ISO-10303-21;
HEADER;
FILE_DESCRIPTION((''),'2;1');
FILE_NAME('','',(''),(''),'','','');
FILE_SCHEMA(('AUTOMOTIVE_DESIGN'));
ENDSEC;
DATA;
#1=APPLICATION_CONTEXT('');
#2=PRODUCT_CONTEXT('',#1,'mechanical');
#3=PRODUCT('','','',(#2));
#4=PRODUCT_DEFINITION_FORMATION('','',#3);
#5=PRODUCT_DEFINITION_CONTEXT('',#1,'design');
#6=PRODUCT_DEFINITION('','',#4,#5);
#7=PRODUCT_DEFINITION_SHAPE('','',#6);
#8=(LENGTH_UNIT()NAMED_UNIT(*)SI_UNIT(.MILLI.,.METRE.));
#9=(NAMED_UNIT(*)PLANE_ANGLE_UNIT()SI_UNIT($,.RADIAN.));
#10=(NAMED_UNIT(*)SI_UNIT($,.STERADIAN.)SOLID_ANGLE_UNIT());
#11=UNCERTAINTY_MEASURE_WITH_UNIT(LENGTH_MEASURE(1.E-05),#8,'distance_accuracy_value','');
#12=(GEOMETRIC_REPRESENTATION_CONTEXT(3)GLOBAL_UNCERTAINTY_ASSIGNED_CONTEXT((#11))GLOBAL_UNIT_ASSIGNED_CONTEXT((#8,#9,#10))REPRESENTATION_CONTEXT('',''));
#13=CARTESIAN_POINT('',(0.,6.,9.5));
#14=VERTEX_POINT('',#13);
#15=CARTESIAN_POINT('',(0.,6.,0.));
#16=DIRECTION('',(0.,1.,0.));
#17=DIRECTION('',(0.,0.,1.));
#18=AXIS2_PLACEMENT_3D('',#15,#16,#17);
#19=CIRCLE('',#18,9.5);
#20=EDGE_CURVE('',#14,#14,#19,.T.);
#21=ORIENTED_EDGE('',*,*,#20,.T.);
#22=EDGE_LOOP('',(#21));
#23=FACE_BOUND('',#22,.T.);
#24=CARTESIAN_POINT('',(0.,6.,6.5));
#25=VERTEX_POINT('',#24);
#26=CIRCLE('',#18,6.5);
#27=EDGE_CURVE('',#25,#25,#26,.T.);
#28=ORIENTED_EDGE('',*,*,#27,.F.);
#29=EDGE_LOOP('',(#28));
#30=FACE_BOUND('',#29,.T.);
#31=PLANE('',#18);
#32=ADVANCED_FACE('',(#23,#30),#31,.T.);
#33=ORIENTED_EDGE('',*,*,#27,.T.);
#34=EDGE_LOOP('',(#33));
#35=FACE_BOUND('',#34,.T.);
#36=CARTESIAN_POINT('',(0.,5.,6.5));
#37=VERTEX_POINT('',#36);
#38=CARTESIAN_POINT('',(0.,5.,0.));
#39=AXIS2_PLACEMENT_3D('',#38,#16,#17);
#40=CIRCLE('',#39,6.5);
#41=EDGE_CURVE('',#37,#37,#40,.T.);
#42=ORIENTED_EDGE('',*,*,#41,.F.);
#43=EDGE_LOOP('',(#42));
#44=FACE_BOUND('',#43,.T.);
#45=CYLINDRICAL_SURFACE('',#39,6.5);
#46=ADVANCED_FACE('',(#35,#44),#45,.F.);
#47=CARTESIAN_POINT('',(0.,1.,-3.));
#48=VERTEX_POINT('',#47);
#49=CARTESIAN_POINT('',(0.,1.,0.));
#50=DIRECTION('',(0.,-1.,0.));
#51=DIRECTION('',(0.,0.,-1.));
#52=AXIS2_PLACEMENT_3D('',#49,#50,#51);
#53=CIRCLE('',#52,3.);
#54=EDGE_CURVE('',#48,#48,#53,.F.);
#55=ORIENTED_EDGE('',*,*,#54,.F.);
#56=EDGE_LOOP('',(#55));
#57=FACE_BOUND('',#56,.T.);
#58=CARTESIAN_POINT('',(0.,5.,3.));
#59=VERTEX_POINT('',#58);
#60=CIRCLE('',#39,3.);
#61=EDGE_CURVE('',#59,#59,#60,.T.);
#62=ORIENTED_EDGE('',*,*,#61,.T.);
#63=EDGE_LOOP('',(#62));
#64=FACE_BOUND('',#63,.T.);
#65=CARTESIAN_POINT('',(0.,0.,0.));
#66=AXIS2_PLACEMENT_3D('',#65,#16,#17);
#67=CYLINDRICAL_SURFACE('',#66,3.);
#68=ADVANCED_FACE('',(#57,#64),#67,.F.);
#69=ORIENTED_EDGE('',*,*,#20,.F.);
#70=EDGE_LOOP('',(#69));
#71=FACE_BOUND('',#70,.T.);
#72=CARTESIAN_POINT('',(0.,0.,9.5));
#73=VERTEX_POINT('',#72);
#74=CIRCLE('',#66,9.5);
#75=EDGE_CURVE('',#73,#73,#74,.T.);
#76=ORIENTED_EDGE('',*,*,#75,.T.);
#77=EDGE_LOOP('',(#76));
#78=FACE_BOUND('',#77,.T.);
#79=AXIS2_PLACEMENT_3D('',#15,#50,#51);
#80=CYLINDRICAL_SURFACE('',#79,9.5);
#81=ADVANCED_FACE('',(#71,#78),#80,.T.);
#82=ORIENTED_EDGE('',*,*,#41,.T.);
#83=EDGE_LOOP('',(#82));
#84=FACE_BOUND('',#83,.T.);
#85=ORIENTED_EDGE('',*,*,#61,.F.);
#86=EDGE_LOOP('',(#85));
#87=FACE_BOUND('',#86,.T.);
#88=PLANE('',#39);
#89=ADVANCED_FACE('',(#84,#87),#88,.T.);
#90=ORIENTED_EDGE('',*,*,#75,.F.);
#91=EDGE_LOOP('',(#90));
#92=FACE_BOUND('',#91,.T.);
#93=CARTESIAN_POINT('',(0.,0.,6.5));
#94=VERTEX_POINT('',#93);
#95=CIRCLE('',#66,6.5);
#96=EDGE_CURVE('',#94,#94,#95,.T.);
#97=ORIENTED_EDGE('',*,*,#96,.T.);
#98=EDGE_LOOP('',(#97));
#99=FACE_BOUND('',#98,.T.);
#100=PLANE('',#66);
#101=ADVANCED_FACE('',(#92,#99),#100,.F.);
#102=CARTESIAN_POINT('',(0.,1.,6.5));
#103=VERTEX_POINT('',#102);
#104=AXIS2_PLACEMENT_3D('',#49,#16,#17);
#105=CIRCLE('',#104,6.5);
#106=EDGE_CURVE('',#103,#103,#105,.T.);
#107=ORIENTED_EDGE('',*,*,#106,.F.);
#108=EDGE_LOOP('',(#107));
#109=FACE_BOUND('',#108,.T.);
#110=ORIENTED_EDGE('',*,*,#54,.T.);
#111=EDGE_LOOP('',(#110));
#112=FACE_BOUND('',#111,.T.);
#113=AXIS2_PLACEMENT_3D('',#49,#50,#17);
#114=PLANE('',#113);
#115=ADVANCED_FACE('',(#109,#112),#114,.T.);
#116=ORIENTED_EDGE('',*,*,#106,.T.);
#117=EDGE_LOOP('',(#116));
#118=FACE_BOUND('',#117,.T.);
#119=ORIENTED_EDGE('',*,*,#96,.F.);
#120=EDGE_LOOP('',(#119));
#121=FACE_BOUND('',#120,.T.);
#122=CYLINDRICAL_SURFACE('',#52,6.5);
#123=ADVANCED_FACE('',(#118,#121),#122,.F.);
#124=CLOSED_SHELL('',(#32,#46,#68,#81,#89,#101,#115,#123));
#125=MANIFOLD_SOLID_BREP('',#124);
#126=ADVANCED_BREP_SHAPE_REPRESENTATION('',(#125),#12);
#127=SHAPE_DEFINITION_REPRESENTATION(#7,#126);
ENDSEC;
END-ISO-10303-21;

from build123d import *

# Parameters (mm, degrees)
SKETCH1_R           = 9.5
BOSS_EXTRUDE1_DEPTH = 6
SKETCH2_R           = 6.5
CUT_EXTRUDE1_DEPTH  = 1
SKETCH3_R           = 3
CUT_EXTRUDE2_DEPTH  = 15.335271187


with BuildPart() as part:
    # Sketch1 → Boss-Extrude1 (new body)
    with BuildSketch(Plane(origin=(0, 0, 0), x_dir=(1, 0, 0), z_dir=(0, 1, 0))):
        with Locations(Location((0, 0, 0), (0, 0, 270))):
            Circle(SKETCH1_R)
    extrude(amount=BOSS_EXTRUDE1_DEPTH)

    # Sketch2 → Cut-Extrude1 (cut)
    with BuildSketch(Plane(origin=(0, 6, 0), x_dir=(1, 0, 0), z_dir=(0, 1, 0))):
        with Locations(Location((0, 0, 0), (0, 0, 270))):
            Circle(SKETCH2_R)
    cut_extrude1 = extrude(amount=-CUT_EXTRUDE1_DEPTH, mode=Mode.SUBTRACT)

    # Sketch3 → Cut-Extrude2 (cut, through all)
    with BuildSketch(Plane(origin=(0, 5, 0), x_dir=(1, 0, 0), z_dir=(0, 1, 0))):
        with Locations(Location((0, 0, 0), (0, 0, 270))):
            Circle(SKETCH3_R)
    extrude(amount=-CUT_EXTRUDE2_DEPTH, mode=Mode.SUBTRACT)

    # Mirror1: Cut-Extrude1 across plane
    add(cut_extrude1.mirror(Plane.ZX.offset(3)), mode=Mode.SUBTRACT)


solid = part.part
